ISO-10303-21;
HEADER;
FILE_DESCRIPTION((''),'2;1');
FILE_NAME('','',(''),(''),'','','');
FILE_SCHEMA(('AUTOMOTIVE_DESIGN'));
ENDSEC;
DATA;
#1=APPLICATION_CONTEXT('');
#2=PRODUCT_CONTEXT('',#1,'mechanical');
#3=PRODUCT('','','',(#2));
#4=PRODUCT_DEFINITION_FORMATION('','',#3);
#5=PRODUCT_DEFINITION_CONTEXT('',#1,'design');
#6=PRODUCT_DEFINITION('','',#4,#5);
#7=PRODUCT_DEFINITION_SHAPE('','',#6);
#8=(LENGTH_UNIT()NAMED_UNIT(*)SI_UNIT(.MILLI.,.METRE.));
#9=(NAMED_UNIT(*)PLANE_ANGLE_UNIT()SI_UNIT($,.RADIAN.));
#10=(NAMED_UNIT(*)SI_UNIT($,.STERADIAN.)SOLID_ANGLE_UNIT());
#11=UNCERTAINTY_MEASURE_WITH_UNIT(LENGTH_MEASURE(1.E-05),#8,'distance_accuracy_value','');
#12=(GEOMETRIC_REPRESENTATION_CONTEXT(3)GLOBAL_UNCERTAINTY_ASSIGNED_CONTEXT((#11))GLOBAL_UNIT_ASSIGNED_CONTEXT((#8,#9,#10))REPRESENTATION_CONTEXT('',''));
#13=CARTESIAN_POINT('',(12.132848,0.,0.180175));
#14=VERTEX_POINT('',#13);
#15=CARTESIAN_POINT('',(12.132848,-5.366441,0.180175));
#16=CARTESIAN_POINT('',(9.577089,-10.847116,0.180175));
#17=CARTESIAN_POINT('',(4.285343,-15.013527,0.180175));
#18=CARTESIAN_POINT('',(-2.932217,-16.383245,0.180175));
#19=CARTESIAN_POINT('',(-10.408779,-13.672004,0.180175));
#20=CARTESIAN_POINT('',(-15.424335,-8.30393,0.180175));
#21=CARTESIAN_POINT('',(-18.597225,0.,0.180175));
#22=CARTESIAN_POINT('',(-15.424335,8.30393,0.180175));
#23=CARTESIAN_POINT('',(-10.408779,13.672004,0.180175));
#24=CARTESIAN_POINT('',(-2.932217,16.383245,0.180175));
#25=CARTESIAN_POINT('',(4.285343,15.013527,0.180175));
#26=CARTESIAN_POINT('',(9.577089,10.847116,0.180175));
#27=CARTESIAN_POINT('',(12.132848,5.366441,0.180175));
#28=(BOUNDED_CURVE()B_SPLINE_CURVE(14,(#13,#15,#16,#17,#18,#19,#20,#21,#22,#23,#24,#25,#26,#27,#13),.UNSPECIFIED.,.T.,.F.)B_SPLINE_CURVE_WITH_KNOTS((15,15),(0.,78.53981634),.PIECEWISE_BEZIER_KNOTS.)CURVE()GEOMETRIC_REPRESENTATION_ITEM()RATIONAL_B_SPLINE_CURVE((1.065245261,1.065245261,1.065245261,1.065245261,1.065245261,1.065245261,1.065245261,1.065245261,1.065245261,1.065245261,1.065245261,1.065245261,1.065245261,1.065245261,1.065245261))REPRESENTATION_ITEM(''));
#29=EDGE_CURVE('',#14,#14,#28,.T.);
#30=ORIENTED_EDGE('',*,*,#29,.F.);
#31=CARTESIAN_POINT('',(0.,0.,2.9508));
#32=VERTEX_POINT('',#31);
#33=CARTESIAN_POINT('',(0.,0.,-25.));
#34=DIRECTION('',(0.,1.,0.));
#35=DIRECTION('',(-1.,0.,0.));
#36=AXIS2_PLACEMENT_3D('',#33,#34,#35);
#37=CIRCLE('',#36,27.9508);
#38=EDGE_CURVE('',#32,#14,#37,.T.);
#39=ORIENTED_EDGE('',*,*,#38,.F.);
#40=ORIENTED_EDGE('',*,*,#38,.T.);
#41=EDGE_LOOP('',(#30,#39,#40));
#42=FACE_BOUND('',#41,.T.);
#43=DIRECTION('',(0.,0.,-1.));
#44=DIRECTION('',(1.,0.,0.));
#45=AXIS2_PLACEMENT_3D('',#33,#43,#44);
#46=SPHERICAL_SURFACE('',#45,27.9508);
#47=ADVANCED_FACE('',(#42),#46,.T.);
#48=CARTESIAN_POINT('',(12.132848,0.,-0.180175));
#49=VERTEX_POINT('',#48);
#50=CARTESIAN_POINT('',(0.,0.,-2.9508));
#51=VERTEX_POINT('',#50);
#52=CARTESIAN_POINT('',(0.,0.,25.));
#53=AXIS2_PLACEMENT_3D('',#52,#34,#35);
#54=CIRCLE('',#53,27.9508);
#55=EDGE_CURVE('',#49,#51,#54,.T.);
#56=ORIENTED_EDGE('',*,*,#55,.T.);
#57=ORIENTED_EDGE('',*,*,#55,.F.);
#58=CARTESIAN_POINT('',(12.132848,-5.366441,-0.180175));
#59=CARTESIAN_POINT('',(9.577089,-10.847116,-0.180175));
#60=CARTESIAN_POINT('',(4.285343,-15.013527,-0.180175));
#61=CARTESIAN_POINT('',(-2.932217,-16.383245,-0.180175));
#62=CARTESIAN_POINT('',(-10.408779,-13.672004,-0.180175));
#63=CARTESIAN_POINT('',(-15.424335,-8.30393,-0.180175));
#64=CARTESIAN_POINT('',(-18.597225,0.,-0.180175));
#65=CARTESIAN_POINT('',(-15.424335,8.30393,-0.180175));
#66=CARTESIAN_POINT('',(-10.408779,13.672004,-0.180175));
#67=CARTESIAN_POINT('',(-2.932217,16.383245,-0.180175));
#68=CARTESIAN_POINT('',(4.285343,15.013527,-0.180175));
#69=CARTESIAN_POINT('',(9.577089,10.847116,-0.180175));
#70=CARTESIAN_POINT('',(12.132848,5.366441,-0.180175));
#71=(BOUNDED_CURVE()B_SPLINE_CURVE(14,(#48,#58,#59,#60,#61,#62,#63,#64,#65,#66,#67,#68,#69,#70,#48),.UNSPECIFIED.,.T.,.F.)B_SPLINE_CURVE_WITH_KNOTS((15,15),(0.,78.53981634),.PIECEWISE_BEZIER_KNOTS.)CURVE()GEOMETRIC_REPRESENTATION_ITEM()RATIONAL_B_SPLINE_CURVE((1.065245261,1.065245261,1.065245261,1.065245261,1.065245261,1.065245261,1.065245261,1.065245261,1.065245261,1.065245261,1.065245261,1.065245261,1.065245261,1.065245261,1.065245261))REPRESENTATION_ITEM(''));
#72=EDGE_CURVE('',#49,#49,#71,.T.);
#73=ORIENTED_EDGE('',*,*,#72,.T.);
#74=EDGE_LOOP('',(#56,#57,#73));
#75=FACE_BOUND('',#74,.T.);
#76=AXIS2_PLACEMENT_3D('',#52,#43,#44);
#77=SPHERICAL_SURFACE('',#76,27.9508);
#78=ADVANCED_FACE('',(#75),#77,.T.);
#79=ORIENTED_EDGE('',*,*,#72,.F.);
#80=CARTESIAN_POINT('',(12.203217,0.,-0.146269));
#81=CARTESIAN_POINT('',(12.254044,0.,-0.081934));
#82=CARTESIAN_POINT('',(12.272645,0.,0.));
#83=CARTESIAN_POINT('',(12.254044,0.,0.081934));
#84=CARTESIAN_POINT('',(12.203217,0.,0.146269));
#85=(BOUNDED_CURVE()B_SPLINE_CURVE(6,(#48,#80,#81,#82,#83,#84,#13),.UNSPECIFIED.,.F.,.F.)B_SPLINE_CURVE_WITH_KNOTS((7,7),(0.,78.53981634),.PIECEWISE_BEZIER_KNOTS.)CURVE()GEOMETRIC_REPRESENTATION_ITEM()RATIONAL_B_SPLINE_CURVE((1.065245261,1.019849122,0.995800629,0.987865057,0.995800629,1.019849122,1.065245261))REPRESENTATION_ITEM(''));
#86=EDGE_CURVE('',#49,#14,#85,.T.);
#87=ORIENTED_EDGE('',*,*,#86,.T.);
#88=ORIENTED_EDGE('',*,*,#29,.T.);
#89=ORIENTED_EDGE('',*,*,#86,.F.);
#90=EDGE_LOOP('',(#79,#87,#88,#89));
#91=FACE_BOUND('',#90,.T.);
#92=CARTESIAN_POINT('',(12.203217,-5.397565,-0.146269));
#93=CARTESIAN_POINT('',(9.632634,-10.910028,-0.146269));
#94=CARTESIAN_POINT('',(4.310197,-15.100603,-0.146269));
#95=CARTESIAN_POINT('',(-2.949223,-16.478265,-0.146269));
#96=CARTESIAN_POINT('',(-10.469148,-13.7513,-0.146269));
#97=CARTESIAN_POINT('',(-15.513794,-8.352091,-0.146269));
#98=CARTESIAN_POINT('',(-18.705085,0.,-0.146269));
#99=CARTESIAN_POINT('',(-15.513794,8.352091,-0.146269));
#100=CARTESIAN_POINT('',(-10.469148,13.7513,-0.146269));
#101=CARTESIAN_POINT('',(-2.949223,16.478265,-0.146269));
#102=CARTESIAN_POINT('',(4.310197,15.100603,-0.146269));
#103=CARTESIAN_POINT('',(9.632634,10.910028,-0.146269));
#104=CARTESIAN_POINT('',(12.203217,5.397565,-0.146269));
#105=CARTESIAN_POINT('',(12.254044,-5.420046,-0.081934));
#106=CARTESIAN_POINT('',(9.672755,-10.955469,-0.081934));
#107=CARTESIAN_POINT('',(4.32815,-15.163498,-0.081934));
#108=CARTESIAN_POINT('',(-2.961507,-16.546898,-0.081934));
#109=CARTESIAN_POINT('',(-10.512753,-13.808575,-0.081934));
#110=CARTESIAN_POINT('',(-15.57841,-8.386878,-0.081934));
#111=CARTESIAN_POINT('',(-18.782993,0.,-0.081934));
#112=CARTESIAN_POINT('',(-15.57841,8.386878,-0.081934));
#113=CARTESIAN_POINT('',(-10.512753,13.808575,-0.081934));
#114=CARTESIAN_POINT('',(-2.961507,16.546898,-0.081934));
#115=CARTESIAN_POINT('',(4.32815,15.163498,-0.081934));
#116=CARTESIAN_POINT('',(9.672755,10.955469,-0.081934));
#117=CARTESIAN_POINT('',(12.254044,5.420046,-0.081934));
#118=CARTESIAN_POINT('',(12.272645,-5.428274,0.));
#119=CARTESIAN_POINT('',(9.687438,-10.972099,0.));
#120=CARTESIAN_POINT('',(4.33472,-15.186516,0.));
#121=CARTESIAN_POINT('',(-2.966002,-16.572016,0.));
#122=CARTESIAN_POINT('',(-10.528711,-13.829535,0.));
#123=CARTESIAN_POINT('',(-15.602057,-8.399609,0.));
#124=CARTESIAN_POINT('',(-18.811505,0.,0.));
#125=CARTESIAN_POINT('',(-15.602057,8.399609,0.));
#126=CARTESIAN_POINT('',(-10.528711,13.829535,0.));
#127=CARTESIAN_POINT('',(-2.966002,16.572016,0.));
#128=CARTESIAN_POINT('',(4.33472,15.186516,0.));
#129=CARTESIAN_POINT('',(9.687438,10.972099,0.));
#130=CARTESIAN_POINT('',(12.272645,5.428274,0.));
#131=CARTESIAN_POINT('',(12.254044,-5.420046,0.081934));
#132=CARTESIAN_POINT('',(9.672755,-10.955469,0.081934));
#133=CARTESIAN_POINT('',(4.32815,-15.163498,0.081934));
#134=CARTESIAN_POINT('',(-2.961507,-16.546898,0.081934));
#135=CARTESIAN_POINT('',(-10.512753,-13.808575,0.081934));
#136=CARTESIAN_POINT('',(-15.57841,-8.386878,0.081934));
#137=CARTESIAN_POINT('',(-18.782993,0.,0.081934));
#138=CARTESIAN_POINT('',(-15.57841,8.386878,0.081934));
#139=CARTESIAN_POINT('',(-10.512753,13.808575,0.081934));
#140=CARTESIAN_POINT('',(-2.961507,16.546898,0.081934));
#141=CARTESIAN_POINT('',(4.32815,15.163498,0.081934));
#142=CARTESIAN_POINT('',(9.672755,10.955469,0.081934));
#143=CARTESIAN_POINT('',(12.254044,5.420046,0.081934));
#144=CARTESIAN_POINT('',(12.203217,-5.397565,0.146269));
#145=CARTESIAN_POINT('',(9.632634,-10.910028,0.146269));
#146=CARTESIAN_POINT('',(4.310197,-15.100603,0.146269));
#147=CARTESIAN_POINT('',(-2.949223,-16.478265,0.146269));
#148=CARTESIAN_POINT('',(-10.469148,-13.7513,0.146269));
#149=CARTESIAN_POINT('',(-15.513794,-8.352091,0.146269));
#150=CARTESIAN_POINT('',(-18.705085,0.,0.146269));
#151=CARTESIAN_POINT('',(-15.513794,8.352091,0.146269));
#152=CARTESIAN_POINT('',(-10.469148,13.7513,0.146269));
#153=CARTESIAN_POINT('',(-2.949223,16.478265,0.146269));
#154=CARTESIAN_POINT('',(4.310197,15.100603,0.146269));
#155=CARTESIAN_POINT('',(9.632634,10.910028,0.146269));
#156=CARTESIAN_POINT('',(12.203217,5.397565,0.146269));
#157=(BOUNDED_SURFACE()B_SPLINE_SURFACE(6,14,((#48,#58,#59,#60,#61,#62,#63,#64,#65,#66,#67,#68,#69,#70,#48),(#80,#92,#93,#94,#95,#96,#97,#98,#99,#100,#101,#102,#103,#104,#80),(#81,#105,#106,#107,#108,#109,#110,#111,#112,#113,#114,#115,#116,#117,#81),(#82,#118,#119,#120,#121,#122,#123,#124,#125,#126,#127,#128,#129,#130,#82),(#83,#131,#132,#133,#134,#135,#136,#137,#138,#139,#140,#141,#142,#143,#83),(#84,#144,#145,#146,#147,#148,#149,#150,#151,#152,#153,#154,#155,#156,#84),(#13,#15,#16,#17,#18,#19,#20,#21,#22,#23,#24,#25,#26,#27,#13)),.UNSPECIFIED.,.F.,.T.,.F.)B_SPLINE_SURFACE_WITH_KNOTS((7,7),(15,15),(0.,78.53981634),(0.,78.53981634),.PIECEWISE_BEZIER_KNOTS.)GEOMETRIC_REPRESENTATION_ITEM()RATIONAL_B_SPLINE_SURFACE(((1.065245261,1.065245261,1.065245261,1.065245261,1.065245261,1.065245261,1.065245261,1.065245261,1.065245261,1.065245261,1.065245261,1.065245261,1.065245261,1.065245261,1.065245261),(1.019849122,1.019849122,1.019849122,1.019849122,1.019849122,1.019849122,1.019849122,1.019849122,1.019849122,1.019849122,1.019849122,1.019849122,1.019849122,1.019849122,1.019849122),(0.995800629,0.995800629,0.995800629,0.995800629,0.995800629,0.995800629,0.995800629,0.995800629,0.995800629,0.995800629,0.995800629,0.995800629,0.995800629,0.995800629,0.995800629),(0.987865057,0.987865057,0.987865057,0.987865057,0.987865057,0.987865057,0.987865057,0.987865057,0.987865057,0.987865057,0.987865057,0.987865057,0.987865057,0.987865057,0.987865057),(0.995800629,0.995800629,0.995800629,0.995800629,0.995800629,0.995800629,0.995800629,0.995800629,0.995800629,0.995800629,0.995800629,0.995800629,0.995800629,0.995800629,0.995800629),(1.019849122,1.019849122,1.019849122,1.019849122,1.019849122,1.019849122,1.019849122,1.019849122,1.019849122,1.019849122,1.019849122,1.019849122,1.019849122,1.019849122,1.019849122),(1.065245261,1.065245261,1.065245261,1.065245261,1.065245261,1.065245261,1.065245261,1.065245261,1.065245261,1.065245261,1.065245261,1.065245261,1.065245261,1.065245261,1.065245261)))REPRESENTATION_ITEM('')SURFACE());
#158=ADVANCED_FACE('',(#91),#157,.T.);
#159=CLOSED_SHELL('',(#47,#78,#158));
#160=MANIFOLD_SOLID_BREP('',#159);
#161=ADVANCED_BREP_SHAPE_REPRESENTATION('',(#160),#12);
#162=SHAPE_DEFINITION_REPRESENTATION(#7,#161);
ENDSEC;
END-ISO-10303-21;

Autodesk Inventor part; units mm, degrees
ref_plane "YZ Plane" through (0, 0, 0) normal (1, 0, 0) x (0, 1, 0)
ref_plane "XZ Plane" through (0, 0, 0) normal (0, 1, 0) x (-1, 0, 0)
ref_plane "XY Plane" through (0, 0, 0) normal (0, 0, 1) x (1, 0, 0)
sketch "Sketch1" plane through (0, 0, 0) normal (0, 1, 0) x (-1, 0, 0)
  line L0 (12.5, 0) -> (-12.5, 0)
  circle A0 centre (0, -25) radius 27.9508
  circle A1 centre (0, 25) radius 27.9508
  line L1 (0, 2.9508) -> (0, -2.9508)
  point P0 (0, 0)
  point P1 (0, 0)
  dimension "d0" = 25
  dimension "d1" = 25
  dimension "d2" = 25
revolve "Revolution1" add sketch "Sketch1" angle 360 about axis through (0, 0, 2.9508) along (0, 0, -1) picked at (-7.0009, -0.5421) picked at (-7.0009, 0.542) contours L1 A1 L0 | L0 A0 L1
fillet "Fillet1" radius 0.2 1 edges at (-12.5, 0, 0)
properties part number "Bi Convex Lens"
